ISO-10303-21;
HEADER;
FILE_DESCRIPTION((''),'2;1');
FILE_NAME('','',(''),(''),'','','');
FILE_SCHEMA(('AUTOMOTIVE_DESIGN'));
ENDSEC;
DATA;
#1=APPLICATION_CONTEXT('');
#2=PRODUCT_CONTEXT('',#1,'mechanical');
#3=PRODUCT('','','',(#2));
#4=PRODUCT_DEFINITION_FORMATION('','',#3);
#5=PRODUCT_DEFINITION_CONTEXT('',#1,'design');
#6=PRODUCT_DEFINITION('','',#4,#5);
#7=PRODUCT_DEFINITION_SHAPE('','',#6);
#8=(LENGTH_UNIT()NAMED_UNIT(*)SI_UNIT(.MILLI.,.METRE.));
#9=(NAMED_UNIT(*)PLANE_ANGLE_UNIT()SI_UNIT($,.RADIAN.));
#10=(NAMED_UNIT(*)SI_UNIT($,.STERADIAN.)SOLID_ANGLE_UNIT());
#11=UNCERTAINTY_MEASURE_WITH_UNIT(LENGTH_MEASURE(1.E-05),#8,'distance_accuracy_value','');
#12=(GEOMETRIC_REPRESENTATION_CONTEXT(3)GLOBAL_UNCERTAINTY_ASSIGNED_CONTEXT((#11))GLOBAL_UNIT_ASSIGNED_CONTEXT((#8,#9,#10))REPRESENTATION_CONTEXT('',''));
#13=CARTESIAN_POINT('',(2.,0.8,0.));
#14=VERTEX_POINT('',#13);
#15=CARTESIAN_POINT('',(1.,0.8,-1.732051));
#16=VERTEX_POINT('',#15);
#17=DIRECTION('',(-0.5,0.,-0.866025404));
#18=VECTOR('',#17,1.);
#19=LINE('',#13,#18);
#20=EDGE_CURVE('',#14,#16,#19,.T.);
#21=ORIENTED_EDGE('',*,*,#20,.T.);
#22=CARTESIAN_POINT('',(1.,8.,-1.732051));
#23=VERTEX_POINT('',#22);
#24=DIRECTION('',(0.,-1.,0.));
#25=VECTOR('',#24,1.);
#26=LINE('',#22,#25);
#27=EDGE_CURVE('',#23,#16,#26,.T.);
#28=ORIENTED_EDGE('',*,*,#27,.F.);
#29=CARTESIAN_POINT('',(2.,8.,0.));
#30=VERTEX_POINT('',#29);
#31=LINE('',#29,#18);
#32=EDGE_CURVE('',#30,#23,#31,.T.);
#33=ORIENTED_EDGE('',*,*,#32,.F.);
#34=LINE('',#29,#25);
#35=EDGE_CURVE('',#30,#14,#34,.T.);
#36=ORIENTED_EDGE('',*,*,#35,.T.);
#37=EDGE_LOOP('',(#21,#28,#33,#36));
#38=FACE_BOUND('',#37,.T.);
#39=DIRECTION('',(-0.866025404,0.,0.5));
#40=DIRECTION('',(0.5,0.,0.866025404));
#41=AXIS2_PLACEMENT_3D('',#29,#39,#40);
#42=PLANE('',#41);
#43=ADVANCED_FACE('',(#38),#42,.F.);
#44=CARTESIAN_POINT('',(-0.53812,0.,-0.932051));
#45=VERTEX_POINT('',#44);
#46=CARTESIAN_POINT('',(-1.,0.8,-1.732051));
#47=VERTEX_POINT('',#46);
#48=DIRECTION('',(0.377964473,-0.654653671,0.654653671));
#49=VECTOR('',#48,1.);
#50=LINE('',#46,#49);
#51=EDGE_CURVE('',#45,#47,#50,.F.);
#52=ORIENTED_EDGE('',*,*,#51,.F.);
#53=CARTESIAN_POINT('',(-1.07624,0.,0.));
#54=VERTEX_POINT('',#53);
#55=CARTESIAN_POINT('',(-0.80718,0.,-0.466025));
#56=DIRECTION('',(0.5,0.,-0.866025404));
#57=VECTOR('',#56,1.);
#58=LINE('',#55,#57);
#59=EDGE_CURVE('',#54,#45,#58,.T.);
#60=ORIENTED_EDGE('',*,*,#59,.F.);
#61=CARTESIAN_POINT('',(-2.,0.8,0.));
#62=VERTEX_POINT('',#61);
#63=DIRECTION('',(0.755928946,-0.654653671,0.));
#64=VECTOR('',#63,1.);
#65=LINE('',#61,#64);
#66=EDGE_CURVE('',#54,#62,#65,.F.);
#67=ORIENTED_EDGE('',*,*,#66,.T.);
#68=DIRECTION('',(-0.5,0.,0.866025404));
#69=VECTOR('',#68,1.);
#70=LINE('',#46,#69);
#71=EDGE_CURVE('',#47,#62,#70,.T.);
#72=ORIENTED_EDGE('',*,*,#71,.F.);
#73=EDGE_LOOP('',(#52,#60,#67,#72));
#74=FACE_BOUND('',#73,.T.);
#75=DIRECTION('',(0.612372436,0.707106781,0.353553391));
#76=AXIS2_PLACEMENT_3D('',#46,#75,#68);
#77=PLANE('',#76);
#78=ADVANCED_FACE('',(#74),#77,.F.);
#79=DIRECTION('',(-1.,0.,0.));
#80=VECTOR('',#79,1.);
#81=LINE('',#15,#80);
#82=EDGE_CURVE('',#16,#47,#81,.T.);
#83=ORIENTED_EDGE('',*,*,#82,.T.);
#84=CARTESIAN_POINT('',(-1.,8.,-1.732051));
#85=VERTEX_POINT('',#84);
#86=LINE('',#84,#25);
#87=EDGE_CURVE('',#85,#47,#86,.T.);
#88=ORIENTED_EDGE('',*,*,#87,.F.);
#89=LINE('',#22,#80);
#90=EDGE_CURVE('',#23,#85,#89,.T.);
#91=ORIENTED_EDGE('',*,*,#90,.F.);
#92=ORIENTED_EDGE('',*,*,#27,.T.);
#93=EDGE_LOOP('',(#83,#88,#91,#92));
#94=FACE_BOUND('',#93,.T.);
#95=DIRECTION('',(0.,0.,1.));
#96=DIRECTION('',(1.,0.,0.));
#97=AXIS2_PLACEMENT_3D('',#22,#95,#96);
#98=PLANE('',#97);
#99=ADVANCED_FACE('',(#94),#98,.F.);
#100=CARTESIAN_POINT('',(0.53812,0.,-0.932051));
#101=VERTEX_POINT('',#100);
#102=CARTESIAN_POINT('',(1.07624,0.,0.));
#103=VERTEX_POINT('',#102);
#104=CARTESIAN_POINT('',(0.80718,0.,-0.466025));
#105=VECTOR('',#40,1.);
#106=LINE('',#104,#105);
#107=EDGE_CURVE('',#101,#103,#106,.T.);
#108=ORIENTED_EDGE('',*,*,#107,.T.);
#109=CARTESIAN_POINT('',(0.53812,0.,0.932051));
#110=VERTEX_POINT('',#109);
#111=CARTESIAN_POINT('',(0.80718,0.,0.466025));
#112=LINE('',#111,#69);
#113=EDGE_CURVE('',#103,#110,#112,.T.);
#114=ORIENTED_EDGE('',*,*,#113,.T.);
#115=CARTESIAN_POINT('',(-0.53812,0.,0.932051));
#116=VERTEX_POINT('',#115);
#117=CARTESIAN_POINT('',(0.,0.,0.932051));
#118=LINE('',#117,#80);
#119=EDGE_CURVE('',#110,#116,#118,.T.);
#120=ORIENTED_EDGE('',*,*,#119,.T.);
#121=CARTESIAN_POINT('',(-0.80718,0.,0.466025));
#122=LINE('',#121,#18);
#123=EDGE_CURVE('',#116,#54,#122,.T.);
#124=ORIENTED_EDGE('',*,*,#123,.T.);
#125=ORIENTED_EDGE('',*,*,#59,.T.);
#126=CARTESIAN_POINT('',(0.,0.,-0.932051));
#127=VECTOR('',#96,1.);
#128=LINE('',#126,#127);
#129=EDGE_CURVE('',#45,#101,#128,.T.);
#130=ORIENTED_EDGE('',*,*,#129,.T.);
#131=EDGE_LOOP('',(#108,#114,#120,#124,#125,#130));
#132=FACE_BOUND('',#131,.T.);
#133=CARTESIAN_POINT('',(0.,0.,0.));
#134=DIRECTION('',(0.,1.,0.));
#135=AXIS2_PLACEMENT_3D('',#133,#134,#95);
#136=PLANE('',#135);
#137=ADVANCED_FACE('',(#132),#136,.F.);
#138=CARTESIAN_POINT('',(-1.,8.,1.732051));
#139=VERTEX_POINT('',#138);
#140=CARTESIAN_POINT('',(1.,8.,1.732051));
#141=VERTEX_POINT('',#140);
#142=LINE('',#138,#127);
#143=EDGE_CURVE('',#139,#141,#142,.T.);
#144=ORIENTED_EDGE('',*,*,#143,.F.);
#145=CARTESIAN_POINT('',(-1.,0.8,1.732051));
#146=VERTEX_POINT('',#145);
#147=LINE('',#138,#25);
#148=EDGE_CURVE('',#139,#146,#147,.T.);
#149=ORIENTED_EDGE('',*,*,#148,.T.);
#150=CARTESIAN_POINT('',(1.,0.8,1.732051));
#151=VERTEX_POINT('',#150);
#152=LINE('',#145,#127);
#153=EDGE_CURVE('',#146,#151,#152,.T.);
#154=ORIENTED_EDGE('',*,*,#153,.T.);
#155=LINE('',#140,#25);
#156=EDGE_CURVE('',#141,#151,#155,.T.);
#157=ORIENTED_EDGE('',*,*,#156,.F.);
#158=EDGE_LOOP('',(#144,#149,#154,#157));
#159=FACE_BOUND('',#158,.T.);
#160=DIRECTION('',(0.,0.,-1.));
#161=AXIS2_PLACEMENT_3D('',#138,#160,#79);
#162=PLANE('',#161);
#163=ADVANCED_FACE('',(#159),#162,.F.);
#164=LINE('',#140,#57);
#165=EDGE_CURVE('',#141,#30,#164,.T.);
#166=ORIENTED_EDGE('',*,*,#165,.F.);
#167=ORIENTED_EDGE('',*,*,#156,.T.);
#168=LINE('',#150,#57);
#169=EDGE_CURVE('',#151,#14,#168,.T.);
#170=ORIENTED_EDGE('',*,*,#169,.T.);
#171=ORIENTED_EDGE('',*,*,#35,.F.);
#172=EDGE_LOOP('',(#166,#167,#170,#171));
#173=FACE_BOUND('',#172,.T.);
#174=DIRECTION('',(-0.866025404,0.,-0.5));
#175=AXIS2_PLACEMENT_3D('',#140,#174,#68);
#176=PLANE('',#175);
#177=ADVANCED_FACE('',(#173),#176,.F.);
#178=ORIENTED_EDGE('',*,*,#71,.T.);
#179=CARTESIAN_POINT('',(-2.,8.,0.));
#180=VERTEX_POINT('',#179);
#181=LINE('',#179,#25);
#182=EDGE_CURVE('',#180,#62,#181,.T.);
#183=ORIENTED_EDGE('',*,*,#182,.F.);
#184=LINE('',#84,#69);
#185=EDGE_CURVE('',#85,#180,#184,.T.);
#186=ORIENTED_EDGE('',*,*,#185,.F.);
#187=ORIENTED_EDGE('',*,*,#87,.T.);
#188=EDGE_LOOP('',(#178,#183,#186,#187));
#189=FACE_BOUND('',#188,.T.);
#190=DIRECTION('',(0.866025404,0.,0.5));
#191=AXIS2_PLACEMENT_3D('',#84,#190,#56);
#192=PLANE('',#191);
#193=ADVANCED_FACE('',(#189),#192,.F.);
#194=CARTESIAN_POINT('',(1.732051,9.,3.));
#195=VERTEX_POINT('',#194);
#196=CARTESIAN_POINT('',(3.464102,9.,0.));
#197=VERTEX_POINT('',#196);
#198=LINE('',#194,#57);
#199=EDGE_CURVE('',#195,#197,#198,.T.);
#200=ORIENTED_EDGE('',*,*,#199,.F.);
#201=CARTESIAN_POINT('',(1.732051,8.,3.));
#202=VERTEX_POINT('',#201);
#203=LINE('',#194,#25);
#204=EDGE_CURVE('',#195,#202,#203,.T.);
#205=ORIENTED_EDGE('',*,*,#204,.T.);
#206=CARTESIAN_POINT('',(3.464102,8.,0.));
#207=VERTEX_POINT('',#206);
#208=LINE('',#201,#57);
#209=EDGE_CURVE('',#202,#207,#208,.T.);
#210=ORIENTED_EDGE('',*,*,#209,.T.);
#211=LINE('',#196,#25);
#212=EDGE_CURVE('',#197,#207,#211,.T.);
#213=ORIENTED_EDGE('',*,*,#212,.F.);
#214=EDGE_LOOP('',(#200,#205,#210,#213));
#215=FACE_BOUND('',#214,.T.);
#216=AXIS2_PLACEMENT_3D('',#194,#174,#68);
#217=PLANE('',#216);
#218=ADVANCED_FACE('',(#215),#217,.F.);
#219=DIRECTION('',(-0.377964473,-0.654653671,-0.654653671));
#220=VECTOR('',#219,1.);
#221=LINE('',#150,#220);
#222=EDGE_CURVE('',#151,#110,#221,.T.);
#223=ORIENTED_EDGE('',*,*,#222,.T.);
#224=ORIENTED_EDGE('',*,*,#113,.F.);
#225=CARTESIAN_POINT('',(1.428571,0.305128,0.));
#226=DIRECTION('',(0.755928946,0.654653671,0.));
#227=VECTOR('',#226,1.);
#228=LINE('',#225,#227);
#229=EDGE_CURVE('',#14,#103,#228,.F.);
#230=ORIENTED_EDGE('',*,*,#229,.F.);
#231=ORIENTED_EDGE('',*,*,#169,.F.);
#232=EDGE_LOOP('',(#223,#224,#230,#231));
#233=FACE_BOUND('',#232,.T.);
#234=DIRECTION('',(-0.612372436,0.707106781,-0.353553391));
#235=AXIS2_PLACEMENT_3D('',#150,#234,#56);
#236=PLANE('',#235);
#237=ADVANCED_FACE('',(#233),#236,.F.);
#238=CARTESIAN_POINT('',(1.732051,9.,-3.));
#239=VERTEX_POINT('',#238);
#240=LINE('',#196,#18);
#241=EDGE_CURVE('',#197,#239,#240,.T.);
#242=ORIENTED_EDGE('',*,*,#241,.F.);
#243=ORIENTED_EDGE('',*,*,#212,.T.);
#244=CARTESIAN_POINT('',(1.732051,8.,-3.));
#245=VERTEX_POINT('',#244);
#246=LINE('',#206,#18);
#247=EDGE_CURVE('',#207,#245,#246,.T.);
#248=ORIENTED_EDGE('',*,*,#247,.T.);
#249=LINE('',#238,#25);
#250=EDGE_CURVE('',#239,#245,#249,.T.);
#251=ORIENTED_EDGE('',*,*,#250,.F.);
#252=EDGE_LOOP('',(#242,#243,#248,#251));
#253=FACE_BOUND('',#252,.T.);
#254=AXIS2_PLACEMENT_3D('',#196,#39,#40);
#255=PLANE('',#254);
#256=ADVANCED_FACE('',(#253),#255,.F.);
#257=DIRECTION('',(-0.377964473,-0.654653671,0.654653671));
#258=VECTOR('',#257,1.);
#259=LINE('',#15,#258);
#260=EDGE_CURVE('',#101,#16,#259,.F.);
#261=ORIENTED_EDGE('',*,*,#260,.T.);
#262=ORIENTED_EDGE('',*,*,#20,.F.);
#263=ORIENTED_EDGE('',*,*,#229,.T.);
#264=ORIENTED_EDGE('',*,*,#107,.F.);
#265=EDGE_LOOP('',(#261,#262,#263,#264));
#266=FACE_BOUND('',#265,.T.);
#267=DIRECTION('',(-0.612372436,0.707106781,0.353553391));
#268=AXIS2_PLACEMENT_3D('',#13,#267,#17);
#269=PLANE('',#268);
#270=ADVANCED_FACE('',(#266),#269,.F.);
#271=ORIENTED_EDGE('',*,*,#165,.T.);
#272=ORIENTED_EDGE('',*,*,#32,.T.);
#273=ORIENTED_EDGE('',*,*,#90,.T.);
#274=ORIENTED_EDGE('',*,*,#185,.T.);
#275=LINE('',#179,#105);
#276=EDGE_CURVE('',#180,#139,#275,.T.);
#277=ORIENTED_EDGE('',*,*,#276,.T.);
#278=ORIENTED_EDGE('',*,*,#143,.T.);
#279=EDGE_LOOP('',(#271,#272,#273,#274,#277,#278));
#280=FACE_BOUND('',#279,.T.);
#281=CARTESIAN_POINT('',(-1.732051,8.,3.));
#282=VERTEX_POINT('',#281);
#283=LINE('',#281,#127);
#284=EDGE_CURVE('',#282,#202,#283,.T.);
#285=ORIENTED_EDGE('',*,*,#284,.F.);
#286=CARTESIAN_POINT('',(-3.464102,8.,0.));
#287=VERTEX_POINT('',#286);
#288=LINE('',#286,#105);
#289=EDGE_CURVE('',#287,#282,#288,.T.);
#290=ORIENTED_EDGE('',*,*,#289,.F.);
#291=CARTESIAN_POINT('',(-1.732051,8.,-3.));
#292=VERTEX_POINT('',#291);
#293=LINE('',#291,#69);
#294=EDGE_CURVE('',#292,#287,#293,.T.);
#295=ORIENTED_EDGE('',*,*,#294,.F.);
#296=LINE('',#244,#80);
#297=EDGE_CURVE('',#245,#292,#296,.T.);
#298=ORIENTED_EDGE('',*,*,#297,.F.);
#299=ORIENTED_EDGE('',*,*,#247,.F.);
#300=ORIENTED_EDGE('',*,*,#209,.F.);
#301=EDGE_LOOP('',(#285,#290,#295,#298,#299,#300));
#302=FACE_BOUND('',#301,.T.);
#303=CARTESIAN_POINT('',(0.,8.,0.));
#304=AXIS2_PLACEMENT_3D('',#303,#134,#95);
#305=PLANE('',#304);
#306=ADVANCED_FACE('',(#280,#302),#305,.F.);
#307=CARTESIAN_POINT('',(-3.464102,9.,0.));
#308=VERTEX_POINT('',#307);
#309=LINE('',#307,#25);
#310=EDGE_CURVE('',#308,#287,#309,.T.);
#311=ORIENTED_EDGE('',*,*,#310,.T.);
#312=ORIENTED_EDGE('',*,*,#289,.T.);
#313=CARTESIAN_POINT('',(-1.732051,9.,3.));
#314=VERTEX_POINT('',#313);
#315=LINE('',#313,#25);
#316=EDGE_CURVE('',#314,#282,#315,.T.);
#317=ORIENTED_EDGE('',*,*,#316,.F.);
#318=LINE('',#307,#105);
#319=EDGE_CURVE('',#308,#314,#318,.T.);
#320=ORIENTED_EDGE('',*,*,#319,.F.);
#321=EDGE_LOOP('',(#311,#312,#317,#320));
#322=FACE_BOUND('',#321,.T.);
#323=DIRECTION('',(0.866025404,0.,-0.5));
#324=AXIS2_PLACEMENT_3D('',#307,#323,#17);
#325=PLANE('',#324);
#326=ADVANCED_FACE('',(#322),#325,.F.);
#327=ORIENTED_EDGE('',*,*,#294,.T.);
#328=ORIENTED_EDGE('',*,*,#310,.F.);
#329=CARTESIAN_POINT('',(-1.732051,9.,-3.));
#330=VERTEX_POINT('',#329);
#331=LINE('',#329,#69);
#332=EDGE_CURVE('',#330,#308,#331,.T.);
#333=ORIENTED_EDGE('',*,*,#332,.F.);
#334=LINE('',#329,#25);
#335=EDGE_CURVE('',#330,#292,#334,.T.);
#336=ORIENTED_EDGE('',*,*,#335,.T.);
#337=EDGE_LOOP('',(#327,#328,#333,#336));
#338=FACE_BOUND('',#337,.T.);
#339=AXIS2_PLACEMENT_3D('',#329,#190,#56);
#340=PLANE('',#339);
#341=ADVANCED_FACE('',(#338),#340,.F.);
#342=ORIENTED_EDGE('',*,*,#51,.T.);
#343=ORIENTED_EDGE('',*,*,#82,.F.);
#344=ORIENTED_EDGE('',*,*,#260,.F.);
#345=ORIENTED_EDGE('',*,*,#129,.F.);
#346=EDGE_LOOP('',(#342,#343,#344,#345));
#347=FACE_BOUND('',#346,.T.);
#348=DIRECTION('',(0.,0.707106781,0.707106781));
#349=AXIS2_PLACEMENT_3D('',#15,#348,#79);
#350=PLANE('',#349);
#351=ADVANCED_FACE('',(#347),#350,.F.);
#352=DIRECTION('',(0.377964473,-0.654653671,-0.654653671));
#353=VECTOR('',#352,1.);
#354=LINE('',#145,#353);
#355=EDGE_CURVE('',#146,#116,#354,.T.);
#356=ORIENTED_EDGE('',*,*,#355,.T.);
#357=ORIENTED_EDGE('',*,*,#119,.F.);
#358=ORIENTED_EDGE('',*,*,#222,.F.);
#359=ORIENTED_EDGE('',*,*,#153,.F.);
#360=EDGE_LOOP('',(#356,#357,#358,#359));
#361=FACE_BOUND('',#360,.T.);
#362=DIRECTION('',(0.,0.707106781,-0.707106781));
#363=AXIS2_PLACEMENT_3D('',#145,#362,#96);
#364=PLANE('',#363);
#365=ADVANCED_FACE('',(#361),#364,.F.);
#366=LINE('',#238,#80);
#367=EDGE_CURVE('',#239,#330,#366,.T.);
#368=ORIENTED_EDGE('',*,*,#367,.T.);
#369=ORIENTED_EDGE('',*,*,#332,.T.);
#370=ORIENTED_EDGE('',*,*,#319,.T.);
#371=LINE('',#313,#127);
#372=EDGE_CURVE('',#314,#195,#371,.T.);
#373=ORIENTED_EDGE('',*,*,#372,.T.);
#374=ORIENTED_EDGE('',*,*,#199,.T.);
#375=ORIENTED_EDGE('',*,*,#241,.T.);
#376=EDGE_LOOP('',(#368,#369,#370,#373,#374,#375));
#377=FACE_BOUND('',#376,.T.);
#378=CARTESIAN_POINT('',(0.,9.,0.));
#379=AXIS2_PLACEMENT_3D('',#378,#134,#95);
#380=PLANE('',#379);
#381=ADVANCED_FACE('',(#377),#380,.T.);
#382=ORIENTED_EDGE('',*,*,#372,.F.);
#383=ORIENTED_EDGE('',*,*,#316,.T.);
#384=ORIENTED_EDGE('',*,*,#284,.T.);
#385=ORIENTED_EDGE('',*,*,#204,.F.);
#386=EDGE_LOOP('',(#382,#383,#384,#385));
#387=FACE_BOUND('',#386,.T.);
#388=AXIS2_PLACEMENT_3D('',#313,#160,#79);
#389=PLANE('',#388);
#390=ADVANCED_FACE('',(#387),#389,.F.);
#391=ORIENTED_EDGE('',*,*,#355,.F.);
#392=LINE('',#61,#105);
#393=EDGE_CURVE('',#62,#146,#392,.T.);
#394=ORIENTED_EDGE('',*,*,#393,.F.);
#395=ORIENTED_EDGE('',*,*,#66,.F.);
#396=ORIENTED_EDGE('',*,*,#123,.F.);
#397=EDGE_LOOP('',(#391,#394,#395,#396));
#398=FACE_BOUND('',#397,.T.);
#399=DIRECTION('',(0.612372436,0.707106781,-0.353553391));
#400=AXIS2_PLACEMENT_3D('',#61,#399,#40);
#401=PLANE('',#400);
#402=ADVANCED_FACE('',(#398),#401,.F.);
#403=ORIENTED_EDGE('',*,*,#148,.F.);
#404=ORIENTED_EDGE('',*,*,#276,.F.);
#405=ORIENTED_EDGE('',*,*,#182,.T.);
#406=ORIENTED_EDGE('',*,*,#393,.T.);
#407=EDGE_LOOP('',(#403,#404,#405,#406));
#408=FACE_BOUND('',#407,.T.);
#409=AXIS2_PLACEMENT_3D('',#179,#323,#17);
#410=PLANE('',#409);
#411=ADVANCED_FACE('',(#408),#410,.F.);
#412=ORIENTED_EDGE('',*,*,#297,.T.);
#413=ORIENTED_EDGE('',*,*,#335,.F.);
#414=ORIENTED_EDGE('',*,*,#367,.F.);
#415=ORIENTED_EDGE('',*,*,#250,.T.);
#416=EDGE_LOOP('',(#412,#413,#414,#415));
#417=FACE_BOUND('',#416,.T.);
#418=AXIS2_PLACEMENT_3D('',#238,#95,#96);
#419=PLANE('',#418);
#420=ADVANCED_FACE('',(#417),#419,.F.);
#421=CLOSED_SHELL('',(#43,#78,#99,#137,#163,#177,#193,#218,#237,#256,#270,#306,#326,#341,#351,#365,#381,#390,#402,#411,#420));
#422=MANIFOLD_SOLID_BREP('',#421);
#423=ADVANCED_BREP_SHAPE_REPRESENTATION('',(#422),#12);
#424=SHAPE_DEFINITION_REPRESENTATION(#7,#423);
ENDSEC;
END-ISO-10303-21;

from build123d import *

# Parameters (mm, degrees)
BOSS_EXTRUDE1_DEPTH = 8
CHAMFER2_SIZE       = 0.8
BOSS_EXTRUDE2_DEPTH = 1


with BuildPart() as part:
    # Sketch1 → Boss-Extrude1 (new body)
    with BuildSketch(Plane(origin=(0, 0, 0), x_dir=(1, 0, 0), z_dir=(0, 1, 0))):
        Polygon((2, 0), (1, 1.732050808), (-1, 1.732050808), (-2, 0), (-1, -1.732050808), (1, -1.732050808), align=None)
    extrude(amount=BOSS_EXTRUDE1_DEPTH)

    # Chamfer2
    chamfer2_edges = [part.edges().sort_by_distance(p)[0] for p in [
        (0, 0, 1.732050808),
        (-1.5, 0, 0.866025404),
        (-1.5, 0, -0.866025404),
        (0, 0, -1.732050808),
        (1.5, 0, -0.866025404),
        (1.5, 0, 0.866025404),
    ]]
    chamfer(chamfer2_edges, length=CHAMFER2_SIZE)

    # Sketch2 → Boss-Extrude2 (add)
    with BuildSketch(Plane(origin=(0, 8, 0), x_dir=(1, 0, 0), z_dir=(0, 1, 0))):
        Polygon((-3.464101615, 0), (-1.732050808, -3), (1.732050808, -3), (3.464101615, 0), (1.732050808, 3), (-1.732050808, 3), align=None)
    extrude(amount=BOSS_EXTRUDE2_DEPTH)


solid = part.part
